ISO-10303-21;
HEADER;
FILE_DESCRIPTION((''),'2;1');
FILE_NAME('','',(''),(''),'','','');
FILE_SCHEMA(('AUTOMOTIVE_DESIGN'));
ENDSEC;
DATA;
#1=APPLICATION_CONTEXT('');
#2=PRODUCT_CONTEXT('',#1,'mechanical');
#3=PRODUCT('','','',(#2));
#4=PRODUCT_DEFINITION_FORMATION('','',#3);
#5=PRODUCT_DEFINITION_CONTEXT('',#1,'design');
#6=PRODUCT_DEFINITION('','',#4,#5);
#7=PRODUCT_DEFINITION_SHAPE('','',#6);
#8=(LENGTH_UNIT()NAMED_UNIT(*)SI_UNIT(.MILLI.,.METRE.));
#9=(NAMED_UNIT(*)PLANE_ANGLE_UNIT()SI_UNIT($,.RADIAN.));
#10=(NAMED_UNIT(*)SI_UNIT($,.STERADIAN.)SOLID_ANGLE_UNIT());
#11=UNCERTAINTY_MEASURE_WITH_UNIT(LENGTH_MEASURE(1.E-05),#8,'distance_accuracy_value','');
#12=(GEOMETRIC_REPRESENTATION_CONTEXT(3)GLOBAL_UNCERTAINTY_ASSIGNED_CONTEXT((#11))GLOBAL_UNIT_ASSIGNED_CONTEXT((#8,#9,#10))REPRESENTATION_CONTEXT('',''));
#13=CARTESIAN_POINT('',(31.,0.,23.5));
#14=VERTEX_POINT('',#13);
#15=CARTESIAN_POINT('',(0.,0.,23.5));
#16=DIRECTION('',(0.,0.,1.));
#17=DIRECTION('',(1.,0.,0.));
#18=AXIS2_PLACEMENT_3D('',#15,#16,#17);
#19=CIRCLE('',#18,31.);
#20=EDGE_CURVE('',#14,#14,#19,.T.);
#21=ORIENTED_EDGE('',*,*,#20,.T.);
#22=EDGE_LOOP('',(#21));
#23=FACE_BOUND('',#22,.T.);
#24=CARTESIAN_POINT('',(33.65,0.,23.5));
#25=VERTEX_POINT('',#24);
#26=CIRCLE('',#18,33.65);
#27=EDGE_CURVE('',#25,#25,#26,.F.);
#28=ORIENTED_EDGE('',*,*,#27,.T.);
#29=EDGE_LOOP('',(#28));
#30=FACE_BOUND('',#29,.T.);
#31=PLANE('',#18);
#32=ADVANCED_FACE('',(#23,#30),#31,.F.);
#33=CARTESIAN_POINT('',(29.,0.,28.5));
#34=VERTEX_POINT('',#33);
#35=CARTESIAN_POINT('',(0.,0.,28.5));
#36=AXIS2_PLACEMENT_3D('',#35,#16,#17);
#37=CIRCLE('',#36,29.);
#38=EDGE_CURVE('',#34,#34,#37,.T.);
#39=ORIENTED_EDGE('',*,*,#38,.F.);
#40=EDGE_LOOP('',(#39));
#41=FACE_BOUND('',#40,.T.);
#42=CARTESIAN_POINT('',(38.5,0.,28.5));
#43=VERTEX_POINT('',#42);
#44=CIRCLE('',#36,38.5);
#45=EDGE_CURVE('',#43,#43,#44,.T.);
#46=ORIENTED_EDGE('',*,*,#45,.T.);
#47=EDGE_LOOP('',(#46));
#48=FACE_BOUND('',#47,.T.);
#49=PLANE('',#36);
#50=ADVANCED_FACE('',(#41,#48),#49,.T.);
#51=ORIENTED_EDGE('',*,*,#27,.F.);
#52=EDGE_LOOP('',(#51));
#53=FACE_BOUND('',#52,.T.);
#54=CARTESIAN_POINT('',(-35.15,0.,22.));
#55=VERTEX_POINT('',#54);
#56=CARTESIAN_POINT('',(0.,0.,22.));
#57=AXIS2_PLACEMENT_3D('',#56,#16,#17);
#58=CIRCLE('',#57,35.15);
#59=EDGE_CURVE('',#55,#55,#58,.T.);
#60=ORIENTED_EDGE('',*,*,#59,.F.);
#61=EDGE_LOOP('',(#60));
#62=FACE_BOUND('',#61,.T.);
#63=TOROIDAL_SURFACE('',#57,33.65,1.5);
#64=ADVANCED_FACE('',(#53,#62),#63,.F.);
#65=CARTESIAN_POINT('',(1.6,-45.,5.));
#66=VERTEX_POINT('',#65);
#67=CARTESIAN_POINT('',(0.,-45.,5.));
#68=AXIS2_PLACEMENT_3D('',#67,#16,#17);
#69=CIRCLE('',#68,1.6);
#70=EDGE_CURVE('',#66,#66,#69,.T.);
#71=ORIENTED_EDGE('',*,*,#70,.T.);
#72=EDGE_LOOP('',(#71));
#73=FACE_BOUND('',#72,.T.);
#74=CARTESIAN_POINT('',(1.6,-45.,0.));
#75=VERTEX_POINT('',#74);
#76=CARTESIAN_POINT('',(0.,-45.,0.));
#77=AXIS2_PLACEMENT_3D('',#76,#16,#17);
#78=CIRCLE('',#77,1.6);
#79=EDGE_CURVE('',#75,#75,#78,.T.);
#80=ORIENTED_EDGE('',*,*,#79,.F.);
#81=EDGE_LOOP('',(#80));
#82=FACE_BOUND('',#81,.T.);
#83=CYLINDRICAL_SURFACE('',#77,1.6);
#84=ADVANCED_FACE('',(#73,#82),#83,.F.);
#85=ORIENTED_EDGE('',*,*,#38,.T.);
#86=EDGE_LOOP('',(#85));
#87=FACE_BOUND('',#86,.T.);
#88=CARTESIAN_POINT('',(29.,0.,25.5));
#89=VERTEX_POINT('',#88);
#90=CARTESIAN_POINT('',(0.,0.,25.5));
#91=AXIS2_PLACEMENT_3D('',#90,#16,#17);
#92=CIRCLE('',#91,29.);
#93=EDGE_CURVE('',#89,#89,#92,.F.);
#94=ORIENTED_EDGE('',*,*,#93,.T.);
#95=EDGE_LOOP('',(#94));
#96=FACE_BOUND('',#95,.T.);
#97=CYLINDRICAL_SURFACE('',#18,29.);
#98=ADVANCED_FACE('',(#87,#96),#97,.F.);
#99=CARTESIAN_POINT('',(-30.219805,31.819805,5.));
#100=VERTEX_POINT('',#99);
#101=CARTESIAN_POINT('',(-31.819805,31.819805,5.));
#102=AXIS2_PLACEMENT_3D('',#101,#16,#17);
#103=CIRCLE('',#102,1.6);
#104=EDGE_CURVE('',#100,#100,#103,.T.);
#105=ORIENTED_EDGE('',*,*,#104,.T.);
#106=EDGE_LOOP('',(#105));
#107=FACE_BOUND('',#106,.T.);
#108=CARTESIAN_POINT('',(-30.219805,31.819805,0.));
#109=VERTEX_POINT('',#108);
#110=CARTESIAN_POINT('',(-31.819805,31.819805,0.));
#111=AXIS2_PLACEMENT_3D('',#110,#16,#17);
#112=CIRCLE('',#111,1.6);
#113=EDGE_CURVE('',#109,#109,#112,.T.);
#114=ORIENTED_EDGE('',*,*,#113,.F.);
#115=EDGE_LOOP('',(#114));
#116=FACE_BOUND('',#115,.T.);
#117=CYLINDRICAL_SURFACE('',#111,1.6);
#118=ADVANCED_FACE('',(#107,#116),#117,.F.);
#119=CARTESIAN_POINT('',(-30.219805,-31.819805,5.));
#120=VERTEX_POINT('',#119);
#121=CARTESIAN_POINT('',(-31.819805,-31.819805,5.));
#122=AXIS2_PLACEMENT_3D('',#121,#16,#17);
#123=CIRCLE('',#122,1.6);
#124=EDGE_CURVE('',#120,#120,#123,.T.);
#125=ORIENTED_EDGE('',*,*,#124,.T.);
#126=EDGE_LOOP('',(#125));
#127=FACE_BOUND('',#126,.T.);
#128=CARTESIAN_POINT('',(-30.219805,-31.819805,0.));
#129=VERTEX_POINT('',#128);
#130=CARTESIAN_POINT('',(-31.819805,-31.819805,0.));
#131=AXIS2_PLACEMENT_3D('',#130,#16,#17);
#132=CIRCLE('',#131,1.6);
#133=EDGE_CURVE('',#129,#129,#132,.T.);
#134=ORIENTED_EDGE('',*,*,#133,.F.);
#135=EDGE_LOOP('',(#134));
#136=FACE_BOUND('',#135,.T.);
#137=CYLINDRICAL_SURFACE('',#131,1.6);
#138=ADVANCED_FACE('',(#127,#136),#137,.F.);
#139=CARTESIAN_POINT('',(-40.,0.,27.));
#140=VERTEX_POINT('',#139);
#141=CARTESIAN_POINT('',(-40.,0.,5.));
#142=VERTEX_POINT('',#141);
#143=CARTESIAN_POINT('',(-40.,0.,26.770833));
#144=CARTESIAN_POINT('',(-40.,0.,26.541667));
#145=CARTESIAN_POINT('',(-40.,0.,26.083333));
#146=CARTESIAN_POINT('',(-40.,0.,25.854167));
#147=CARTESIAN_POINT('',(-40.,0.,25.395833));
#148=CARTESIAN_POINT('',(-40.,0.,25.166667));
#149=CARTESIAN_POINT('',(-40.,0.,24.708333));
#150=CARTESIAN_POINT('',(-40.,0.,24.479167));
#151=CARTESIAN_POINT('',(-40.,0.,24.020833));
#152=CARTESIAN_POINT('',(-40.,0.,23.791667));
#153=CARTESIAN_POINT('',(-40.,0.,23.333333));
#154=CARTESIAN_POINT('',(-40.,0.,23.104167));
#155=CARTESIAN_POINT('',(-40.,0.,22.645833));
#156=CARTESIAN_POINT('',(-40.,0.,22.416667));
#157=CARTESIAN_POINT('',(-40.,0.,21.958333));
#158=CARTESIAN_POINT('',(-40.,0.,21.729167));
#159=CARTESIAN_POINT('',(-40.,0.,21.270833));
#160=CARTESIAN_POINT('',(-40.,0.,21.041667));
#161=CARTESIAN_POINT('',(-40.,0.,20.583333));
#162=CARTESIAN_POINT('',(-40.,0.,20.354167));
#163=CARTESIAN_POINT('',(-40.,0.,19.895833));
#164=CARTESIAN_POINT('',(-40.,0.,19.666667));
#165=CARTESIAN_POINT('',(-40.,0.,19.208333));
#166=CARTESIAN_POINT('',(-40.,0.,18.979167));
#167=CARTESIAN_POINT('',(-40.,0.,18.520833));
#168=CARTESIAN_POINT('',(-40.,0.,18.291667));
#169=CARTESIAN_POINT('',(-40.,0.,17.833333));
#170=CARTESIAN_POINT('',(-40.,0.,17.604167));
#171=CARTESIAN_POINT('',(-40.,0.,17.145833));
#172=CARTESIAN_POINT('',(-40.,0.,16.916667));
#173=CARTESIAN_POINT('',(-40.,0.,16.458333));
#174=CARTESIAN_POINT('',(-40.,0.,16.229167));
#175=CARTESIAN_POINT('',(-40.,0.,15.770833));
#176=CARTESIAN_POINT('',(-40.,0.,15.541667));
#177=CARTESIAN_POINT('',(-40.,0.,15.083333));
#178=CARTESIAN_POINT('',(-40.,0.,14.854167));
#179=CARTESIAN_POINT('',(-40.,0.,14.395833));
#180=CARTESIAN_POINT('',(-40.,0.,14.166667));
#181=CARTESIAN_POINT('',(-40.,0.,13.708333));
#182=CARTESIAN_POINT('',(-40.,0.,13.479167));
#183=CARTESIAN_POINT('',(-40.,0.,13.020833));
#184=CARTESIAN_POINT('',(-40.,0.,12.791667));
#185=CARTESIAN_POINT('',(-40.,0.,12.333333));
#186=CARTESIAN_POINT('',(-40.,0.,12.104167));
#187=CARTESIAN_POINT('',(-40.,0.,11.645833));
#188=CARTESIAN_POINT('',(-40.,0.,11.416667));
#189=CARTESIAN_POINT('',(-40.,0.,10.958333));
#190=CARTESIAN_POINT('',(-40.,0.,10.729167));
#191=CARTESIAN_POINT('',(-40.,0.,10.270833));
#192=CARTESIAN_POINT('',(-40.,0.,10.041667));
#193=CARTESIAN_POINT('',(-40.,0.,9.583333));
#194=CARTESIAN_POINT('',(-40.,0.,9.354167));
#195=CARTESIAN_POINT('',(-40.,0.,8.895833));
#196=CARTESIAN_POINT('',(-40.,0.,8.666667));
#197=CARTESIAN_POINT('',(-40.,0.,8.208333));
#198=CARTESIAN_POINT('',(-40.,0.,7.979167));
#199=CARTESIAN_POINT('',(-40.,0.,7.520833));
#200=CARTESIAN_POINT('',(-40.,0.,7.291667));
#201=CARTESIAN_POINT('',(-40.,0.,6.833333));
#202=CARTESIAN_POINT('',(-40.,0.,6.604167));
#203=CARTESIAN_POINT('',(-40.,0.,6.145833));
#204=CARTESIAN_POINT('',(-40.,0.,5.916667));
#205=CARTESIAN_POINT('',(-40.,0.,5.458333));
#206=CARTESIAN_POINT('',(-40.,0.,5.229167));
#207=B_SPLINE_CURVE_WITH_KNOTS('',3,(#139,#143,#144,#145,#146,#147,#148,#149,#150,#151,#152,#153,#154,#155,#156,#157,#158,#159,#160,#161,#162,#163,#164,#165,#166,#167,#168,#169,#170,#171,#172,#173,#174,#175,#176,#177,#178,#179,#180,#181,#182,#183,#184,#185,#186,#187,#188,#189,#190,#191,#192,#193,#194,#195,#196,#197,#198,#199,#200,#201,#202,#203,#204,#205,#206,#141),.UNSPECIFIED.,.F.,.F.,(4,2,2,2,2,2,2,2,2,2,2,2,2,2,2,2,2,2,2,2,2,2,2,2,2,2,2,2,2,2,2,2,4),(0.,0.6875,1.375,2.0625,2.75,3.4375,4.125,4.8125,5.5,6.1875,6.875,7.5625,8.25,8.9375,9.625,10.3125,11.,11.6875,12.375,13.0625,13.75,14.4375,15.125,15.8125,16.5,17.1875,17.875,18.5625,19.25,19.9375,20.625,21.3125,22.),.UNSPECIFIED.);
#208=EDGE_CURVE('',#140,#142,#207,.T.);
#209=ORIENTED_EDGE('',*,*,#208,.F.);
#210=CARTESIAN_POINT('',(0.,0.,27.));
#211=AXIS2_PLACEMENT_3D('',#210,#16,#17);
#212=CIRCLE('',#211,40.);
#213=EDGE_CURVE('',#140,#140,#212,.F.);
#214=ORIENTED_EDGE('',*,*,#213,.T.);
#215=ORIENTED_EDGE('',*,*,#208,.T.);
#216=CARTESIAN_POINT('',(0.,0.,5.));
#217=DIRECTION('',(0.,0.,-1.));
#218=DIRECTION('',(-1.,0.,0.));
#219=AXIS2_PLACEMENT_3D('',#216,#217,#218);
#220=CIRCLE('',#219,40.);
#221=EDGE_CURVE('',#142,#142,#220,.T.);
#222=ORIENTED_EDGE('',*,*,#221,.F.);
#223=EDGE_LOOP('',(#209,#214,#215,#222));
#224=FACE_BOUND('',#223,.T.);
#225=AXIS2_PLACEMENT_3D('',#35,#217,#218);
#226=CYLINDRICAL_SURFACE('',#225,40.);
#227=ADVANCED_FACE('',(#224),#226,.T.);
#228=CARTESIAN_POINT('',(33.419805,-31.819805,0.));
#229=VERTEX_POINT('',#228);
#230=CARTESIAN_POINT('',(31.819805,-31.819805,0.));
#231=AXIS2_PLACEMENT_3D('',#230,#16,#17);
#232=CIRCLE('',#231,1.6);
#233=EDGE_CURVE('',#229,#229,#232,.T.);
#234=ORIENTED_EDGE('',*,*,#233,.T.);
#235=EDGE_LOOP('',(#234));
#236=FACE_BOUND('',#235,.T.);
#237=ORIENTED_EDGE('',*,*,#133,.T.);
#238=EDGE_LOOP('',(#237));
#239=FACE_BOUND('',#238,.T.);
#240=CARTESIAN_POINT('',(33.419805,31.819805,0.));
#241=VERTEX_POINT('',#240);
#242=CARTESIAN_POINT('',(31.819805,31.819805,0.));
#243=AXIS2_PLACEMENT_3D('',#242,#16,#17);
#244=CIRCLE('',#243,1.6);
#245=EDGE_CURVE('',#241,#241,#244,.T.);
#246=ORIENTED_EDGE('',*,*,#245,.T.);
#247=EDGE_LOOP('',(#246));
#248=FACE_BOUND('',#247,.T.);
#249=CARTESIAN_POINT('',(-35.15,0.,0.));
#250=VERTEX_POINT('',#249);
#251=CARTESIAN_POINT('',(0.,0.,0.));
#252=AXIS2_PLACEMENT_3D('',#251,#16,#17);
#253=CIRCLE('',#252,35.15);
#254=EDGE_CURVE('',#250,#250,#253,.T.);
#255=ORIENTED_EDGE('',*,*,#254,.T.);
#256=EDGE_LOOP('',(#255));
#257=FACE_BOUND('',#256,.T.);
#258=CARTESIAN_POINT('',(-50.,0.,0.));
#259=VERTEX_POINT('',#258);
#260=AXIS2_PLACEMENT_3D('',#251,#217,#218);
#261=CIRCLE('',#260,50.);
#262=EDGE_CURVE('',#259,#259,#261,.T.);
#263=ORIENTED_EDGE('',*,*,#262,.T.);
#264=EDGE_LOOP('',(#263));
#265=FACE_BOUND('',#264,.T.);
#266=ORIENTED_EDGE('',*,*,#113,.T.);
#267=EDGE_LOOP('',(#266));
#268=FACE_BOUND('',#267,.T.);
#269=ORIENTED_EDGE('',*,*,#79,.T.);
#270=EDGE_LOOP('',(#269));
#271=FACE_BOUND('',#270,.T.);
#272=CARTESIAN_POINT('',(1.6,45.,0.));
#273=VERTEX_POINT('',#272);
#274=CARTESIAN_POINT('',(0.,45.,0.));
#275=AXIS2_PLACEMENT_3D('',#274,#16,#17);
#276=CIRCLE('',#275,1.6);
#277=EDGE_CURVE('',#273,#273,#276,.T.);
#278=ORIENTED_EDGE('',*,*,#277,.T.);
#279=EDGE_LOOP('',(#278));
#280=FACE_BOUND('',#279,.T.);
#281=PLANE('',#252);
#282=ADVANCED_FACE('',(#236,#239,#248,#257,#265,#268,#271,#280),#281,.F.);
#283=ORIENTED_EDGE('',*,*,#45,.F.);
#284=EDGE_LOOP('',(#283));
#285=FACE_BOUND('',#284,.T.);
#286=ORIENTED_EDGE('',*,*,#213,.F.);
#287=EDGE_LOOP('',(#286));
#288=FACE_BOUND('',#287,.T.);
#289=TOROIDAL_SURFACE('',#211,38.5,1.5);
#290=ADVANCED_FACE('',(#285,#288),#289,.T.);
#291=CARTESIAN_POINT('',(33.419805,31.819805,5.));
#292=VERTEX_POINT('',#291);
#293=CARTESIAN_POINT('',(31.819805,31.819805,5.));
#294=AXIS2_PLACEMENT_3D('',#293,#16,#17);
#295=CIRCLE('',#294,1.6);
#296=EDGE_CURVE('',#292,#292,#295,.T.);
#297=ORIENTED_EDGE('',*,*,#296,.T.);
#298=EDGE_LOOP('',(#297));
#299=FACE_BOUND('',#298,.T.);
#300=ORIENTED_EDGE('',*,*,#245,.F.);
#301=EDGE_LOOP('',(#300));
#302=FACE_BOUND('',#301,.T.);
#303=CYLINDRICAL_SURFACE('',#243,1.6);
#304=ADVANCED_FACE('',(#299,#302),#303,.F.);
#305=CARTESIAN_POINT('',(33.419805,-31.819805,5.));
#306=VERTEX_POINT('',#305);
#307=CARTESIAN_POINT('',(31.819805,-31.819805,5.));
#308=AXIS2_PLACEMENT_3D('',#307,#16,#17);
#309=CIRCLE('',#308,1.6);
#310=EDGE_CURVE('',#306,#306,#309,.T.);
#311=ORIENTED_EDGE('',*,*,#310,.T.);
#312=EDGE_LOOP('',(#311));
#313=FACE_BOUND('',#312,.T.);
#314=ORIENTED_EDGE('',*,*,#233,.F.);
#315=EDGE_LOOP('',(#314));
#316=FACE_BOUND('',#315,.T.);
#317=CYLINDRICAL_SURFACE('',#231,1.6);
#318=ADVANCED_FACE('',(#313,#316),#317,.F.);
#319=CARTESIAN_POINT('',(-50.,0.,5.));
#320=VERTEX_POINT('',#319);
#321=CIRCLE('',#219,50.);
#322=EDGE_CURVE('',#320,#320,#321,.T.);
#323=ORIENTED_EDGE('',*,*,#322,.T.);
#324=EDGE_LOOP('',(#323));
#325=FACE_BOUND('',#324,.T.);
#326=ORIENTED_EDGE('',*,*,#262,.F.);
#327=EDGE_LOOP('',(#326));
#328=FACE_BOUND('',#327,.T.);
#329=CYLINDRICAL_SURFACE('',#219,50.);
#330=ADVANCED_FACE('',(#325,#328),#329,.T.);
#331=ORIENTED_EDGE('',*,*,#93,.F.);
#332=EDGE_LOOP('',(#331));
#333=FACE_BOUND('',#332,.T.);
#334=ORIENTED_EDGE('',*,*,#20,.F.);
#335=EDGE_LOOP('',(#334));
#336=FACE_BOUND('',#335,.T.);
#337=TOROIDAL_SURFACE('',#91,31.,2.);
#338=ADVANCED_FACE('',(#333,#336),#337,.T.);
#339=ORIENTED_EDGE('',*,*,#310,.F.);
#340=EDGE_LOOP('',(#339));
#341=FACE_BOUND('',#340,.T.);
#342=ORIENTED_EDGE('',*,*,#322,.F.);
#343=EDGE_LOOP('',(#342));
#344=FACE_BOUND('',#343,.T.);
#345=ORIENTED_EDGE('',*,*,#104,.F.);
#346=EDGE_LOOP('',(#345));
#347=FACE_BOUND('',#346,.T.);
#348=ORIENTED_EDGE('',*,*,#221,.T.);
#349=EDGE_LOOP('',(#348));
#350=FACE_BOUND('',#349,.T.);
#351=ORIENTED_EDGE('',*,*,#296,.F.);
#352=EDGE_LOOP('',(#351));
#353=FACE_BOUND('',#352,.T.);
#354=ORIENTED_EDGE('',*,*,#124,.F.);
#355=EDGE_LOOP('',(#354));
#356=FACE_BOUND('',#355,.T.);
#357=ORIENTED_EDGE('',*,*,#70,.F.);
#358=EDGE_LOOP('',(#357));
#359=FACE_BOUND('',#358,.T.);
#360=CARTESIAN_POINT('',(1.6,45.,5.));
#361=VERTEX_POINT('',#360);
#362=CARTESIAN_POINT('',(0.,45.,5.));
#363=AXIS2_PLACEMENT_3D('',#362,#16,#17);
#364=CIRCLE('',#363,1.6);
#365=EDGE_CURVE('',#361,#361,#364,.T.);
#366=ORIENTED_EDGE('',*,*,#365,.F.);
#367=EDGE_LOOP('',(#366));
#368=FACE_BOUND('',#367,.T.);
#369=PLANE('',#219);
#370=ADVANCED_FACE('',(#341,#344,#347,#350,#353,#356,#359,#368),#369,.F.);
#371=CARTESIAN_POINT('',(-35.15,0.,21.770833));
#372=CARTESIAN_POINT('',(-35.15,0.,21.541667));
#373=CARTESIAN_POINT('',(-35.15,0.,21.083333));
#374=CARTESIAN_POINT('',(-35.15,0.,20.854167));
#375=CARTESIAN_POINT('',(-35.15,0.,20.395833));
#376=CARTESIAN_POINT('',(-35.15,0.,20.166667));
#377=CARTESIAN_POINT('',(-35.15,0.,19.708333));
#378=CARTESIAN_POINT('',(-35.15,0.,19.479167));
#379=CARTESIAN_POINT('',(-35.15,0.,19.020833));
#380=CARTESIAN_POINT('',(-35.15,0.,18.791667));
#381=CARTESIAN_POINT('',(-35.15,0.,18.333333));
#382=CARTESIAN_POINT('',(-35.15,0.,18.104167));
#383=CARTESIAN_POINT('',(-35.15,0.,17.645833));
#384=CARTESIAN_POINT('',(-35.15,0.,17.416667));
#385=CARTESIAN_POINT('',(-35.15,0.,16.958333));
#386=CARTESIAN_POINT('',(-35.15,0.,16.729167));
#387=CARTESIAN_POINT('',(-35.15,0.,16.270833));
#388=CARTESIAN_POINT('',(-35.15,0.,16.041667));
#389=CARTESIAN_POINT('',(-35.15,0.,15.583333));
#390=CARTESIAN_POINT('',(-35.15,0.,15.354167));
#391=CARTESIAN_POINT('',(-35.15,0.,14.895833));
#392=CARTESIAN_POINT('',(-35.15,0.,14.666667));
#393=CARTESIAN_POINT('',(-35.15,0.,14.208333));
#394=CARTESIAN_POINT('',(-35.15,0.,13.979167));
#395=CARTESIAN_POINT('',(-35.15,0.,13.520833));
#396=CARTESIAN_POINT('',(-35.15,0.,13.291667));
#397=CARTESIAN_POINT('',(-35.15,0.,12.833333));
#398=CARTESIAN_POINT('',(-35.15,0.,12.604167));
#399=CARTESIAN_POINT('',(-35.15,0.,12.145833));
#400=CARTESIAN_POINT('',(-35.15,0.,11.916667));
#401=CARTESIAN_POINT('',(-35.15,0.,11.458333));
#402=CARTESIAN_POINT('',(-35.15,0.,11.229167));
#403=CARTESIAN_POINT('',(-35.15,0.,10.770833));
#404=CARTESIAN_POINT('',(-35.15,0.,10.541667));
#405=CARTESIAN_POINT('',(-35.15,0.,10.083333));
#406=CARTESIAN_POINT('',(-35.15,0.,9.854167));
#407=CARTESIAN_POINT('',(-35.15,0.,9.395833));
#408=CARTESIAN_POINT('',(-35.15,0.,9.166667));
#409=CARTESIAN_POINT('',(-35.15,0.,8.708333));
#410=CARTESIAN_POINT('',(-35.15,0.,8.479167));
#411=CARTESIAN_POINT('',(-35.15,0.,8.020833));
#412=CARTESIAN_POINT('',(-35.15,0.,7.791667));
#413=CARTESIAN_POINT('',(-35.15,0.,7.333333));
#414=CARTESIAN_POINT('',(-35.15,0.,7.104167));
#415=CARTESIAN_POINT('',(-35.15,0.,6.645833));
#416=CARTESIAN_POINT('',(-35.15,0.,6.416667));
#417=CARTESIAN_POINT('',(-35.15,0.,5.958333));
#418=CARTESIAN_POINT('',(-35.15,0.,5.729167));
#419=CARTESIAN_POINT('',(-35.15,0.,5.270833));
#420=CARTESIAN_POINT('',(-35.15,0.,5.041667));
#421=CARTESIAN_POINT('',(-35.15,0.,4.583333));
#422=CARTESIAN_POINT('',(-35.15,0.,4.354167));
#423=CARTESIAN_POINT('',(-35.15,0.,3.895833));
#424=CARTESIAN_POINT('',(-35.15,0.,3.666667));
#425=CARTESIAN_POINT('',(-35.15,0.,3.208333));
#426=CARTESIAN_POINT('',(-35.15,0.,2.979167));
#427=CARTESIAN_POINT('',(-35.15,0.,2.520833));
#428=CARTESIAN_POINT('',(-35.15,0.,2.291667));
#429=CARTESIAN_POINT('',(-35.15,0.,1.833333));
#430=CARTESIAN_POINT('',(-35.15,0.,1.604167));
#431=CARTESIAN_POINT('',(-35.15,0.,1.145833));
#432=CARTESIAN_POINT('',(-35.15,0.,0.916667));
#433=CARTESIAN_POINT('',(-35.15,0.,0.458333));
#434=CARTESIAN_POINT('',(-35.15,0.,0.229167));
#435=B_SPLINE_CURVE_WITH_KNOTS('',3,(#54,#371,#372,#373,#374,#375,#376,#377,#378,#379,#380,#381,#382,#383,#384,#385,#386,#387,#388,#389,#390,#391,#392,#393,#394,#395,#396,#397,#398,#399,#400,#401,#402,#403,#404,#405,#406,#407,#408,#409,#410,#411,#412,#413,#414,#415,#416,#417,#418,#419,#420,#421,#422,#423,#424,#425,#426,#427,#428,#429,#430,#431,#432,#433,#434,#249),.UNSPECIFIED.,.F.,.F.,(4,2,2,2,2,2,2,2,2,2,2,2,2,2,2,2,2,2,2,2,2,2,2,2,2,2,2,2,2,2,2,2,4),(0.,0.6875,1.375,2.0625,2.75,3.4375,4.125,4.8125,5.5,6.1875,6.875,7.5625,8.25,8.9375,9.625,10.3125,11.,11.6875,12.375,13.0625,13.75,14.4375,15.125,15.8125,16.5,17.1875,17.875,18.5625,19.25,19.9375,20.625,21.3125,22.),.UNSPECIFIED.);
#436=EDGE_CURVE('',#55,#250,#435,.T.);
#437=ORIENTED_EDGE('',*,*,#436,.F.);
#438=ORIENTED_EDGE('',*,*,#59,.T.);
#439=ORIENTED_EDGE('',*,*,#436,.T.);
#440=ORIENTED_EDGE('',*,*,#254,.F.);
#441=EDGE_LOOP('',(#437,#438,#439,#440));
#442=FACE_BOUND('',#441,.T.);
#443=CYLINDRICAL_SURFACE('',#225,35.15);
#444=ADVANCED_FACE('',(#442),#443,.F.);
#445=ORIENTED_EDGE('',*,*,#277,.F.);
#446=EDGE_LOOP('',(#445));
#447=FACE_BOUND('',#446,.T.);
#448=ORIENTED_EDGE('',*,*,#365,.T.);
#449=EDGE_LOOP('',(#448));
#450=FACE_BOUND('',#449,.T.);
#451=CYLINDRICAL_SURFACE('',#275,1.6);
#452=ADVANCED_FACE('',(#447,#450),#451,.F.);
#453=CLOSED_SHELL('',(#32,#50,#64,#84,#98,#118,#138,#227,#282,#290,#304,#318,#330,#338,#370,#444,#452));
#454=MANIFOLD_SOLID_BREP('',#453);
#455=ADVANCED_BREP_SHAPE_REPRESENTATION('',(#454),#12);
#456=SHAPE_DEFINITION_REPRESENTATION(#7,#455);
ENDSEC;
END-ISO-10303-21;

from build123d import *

# Parameters (mm, degrees)
SKETCH_1_R          = 40
SKETCH_1_R_2        = 35.15
EXTRUDE_1_DEPTH     = 28.5
SKETCH_2_R          = 35.5
SKETCH_2_R_2        = 29
EXTRUDE_2_DEPTH     = 5
SKETCH_3_R          = 50
SKETCH_3_R_2        = 40
EXTRUDE_3_DEPTH     = 5
SKETCH_4_R          = 1.6
CUT_EXTRUDE_1_DEPTH = 75.51342161
FILLET_1_R          = 1.5
FILLET_2_R          = 2


with BuildPart() as part:
    # 草图1 → 凸台-拉伸1 (new body)
    with BuildSketch(Plane.XY):
        with Locations(Location((0, 0, 0), (0, 0, 180))):
            Circle(SKETCH_1_R)
        with Locations(Location((0, 0, 0), (0, 0, 180))):
            Circle(SKETCH_1_R_2, mode=Mode.SUBTRACT)
    extrude(amount=EXTRUDE_1_DEPTH)

    # 草图2 → 凸台-拉伸2 (add)
    with BuildSketch(Plane.XY.offset(28.5)):
        Circle(SKETCH_2_R)
        Circle(SKETCH_2_R_2, mode=Mode.SUBTRACT)
    extrude(amount=-EXTRUDE_2_DEPTH)

    # 草图3 → 凸台-拉伸3 (add)
    with BuildSketch(Plane(origin=(0, 0, 0), x_dir=(-1, 0, 0), z_dir=(0, 0, -1))):
        Circle(SKETCH_3_R)
        Circle(SKETCH_3_R_2, mode=Mode.SUBTRACT)
    extrude(amount=-EXTRUDE_3_DEPTH)

    # 草图4 → 切除-拉伸1 (cut, through all)
    with BuildSketch(Plane.XY.offset(5)):
        with Locations((31.819805153, 31.819805153)):
            Circle(SKETCH_4_R)
        with Locations((31.819805153, -31.819805153)):
            Circle(SKETCH_4_R)
        with Locations((-31.819805153, -31.819805153)):
            Circle(SKETCH_4_R)
        with Locations((-31.819805153, 31.819805153)):
            Circle(SKETCH_4_R)
        with Locations((0, 45)):
            Circle(SKETCH_4_R)
        with Locations((0, -45)):
            Circle(SKETCH_4_R)
    extrude(amount=-CUT_EXTRUDE_1_DEPTH, mode=Mode.SUBTRACT)

    # 圆角1
    fillet_1_edges = [part.edges().sort_by_distance(p)[0] for p in [
        (35.15, 0, 23.5),
        (40, 0, 28.5),
    ]]
    fillet(fillet_1_edges, radius=FILLET_1_R)

    # 圆角2
    fillet_2_edges = [part.edges().sort_by_distance(p)[0] for p in [
        (-29, 0, 23.5),
    ]]
    fillet(fillet_2_edges, radius=FILLET_2_R)


solid = part.part
